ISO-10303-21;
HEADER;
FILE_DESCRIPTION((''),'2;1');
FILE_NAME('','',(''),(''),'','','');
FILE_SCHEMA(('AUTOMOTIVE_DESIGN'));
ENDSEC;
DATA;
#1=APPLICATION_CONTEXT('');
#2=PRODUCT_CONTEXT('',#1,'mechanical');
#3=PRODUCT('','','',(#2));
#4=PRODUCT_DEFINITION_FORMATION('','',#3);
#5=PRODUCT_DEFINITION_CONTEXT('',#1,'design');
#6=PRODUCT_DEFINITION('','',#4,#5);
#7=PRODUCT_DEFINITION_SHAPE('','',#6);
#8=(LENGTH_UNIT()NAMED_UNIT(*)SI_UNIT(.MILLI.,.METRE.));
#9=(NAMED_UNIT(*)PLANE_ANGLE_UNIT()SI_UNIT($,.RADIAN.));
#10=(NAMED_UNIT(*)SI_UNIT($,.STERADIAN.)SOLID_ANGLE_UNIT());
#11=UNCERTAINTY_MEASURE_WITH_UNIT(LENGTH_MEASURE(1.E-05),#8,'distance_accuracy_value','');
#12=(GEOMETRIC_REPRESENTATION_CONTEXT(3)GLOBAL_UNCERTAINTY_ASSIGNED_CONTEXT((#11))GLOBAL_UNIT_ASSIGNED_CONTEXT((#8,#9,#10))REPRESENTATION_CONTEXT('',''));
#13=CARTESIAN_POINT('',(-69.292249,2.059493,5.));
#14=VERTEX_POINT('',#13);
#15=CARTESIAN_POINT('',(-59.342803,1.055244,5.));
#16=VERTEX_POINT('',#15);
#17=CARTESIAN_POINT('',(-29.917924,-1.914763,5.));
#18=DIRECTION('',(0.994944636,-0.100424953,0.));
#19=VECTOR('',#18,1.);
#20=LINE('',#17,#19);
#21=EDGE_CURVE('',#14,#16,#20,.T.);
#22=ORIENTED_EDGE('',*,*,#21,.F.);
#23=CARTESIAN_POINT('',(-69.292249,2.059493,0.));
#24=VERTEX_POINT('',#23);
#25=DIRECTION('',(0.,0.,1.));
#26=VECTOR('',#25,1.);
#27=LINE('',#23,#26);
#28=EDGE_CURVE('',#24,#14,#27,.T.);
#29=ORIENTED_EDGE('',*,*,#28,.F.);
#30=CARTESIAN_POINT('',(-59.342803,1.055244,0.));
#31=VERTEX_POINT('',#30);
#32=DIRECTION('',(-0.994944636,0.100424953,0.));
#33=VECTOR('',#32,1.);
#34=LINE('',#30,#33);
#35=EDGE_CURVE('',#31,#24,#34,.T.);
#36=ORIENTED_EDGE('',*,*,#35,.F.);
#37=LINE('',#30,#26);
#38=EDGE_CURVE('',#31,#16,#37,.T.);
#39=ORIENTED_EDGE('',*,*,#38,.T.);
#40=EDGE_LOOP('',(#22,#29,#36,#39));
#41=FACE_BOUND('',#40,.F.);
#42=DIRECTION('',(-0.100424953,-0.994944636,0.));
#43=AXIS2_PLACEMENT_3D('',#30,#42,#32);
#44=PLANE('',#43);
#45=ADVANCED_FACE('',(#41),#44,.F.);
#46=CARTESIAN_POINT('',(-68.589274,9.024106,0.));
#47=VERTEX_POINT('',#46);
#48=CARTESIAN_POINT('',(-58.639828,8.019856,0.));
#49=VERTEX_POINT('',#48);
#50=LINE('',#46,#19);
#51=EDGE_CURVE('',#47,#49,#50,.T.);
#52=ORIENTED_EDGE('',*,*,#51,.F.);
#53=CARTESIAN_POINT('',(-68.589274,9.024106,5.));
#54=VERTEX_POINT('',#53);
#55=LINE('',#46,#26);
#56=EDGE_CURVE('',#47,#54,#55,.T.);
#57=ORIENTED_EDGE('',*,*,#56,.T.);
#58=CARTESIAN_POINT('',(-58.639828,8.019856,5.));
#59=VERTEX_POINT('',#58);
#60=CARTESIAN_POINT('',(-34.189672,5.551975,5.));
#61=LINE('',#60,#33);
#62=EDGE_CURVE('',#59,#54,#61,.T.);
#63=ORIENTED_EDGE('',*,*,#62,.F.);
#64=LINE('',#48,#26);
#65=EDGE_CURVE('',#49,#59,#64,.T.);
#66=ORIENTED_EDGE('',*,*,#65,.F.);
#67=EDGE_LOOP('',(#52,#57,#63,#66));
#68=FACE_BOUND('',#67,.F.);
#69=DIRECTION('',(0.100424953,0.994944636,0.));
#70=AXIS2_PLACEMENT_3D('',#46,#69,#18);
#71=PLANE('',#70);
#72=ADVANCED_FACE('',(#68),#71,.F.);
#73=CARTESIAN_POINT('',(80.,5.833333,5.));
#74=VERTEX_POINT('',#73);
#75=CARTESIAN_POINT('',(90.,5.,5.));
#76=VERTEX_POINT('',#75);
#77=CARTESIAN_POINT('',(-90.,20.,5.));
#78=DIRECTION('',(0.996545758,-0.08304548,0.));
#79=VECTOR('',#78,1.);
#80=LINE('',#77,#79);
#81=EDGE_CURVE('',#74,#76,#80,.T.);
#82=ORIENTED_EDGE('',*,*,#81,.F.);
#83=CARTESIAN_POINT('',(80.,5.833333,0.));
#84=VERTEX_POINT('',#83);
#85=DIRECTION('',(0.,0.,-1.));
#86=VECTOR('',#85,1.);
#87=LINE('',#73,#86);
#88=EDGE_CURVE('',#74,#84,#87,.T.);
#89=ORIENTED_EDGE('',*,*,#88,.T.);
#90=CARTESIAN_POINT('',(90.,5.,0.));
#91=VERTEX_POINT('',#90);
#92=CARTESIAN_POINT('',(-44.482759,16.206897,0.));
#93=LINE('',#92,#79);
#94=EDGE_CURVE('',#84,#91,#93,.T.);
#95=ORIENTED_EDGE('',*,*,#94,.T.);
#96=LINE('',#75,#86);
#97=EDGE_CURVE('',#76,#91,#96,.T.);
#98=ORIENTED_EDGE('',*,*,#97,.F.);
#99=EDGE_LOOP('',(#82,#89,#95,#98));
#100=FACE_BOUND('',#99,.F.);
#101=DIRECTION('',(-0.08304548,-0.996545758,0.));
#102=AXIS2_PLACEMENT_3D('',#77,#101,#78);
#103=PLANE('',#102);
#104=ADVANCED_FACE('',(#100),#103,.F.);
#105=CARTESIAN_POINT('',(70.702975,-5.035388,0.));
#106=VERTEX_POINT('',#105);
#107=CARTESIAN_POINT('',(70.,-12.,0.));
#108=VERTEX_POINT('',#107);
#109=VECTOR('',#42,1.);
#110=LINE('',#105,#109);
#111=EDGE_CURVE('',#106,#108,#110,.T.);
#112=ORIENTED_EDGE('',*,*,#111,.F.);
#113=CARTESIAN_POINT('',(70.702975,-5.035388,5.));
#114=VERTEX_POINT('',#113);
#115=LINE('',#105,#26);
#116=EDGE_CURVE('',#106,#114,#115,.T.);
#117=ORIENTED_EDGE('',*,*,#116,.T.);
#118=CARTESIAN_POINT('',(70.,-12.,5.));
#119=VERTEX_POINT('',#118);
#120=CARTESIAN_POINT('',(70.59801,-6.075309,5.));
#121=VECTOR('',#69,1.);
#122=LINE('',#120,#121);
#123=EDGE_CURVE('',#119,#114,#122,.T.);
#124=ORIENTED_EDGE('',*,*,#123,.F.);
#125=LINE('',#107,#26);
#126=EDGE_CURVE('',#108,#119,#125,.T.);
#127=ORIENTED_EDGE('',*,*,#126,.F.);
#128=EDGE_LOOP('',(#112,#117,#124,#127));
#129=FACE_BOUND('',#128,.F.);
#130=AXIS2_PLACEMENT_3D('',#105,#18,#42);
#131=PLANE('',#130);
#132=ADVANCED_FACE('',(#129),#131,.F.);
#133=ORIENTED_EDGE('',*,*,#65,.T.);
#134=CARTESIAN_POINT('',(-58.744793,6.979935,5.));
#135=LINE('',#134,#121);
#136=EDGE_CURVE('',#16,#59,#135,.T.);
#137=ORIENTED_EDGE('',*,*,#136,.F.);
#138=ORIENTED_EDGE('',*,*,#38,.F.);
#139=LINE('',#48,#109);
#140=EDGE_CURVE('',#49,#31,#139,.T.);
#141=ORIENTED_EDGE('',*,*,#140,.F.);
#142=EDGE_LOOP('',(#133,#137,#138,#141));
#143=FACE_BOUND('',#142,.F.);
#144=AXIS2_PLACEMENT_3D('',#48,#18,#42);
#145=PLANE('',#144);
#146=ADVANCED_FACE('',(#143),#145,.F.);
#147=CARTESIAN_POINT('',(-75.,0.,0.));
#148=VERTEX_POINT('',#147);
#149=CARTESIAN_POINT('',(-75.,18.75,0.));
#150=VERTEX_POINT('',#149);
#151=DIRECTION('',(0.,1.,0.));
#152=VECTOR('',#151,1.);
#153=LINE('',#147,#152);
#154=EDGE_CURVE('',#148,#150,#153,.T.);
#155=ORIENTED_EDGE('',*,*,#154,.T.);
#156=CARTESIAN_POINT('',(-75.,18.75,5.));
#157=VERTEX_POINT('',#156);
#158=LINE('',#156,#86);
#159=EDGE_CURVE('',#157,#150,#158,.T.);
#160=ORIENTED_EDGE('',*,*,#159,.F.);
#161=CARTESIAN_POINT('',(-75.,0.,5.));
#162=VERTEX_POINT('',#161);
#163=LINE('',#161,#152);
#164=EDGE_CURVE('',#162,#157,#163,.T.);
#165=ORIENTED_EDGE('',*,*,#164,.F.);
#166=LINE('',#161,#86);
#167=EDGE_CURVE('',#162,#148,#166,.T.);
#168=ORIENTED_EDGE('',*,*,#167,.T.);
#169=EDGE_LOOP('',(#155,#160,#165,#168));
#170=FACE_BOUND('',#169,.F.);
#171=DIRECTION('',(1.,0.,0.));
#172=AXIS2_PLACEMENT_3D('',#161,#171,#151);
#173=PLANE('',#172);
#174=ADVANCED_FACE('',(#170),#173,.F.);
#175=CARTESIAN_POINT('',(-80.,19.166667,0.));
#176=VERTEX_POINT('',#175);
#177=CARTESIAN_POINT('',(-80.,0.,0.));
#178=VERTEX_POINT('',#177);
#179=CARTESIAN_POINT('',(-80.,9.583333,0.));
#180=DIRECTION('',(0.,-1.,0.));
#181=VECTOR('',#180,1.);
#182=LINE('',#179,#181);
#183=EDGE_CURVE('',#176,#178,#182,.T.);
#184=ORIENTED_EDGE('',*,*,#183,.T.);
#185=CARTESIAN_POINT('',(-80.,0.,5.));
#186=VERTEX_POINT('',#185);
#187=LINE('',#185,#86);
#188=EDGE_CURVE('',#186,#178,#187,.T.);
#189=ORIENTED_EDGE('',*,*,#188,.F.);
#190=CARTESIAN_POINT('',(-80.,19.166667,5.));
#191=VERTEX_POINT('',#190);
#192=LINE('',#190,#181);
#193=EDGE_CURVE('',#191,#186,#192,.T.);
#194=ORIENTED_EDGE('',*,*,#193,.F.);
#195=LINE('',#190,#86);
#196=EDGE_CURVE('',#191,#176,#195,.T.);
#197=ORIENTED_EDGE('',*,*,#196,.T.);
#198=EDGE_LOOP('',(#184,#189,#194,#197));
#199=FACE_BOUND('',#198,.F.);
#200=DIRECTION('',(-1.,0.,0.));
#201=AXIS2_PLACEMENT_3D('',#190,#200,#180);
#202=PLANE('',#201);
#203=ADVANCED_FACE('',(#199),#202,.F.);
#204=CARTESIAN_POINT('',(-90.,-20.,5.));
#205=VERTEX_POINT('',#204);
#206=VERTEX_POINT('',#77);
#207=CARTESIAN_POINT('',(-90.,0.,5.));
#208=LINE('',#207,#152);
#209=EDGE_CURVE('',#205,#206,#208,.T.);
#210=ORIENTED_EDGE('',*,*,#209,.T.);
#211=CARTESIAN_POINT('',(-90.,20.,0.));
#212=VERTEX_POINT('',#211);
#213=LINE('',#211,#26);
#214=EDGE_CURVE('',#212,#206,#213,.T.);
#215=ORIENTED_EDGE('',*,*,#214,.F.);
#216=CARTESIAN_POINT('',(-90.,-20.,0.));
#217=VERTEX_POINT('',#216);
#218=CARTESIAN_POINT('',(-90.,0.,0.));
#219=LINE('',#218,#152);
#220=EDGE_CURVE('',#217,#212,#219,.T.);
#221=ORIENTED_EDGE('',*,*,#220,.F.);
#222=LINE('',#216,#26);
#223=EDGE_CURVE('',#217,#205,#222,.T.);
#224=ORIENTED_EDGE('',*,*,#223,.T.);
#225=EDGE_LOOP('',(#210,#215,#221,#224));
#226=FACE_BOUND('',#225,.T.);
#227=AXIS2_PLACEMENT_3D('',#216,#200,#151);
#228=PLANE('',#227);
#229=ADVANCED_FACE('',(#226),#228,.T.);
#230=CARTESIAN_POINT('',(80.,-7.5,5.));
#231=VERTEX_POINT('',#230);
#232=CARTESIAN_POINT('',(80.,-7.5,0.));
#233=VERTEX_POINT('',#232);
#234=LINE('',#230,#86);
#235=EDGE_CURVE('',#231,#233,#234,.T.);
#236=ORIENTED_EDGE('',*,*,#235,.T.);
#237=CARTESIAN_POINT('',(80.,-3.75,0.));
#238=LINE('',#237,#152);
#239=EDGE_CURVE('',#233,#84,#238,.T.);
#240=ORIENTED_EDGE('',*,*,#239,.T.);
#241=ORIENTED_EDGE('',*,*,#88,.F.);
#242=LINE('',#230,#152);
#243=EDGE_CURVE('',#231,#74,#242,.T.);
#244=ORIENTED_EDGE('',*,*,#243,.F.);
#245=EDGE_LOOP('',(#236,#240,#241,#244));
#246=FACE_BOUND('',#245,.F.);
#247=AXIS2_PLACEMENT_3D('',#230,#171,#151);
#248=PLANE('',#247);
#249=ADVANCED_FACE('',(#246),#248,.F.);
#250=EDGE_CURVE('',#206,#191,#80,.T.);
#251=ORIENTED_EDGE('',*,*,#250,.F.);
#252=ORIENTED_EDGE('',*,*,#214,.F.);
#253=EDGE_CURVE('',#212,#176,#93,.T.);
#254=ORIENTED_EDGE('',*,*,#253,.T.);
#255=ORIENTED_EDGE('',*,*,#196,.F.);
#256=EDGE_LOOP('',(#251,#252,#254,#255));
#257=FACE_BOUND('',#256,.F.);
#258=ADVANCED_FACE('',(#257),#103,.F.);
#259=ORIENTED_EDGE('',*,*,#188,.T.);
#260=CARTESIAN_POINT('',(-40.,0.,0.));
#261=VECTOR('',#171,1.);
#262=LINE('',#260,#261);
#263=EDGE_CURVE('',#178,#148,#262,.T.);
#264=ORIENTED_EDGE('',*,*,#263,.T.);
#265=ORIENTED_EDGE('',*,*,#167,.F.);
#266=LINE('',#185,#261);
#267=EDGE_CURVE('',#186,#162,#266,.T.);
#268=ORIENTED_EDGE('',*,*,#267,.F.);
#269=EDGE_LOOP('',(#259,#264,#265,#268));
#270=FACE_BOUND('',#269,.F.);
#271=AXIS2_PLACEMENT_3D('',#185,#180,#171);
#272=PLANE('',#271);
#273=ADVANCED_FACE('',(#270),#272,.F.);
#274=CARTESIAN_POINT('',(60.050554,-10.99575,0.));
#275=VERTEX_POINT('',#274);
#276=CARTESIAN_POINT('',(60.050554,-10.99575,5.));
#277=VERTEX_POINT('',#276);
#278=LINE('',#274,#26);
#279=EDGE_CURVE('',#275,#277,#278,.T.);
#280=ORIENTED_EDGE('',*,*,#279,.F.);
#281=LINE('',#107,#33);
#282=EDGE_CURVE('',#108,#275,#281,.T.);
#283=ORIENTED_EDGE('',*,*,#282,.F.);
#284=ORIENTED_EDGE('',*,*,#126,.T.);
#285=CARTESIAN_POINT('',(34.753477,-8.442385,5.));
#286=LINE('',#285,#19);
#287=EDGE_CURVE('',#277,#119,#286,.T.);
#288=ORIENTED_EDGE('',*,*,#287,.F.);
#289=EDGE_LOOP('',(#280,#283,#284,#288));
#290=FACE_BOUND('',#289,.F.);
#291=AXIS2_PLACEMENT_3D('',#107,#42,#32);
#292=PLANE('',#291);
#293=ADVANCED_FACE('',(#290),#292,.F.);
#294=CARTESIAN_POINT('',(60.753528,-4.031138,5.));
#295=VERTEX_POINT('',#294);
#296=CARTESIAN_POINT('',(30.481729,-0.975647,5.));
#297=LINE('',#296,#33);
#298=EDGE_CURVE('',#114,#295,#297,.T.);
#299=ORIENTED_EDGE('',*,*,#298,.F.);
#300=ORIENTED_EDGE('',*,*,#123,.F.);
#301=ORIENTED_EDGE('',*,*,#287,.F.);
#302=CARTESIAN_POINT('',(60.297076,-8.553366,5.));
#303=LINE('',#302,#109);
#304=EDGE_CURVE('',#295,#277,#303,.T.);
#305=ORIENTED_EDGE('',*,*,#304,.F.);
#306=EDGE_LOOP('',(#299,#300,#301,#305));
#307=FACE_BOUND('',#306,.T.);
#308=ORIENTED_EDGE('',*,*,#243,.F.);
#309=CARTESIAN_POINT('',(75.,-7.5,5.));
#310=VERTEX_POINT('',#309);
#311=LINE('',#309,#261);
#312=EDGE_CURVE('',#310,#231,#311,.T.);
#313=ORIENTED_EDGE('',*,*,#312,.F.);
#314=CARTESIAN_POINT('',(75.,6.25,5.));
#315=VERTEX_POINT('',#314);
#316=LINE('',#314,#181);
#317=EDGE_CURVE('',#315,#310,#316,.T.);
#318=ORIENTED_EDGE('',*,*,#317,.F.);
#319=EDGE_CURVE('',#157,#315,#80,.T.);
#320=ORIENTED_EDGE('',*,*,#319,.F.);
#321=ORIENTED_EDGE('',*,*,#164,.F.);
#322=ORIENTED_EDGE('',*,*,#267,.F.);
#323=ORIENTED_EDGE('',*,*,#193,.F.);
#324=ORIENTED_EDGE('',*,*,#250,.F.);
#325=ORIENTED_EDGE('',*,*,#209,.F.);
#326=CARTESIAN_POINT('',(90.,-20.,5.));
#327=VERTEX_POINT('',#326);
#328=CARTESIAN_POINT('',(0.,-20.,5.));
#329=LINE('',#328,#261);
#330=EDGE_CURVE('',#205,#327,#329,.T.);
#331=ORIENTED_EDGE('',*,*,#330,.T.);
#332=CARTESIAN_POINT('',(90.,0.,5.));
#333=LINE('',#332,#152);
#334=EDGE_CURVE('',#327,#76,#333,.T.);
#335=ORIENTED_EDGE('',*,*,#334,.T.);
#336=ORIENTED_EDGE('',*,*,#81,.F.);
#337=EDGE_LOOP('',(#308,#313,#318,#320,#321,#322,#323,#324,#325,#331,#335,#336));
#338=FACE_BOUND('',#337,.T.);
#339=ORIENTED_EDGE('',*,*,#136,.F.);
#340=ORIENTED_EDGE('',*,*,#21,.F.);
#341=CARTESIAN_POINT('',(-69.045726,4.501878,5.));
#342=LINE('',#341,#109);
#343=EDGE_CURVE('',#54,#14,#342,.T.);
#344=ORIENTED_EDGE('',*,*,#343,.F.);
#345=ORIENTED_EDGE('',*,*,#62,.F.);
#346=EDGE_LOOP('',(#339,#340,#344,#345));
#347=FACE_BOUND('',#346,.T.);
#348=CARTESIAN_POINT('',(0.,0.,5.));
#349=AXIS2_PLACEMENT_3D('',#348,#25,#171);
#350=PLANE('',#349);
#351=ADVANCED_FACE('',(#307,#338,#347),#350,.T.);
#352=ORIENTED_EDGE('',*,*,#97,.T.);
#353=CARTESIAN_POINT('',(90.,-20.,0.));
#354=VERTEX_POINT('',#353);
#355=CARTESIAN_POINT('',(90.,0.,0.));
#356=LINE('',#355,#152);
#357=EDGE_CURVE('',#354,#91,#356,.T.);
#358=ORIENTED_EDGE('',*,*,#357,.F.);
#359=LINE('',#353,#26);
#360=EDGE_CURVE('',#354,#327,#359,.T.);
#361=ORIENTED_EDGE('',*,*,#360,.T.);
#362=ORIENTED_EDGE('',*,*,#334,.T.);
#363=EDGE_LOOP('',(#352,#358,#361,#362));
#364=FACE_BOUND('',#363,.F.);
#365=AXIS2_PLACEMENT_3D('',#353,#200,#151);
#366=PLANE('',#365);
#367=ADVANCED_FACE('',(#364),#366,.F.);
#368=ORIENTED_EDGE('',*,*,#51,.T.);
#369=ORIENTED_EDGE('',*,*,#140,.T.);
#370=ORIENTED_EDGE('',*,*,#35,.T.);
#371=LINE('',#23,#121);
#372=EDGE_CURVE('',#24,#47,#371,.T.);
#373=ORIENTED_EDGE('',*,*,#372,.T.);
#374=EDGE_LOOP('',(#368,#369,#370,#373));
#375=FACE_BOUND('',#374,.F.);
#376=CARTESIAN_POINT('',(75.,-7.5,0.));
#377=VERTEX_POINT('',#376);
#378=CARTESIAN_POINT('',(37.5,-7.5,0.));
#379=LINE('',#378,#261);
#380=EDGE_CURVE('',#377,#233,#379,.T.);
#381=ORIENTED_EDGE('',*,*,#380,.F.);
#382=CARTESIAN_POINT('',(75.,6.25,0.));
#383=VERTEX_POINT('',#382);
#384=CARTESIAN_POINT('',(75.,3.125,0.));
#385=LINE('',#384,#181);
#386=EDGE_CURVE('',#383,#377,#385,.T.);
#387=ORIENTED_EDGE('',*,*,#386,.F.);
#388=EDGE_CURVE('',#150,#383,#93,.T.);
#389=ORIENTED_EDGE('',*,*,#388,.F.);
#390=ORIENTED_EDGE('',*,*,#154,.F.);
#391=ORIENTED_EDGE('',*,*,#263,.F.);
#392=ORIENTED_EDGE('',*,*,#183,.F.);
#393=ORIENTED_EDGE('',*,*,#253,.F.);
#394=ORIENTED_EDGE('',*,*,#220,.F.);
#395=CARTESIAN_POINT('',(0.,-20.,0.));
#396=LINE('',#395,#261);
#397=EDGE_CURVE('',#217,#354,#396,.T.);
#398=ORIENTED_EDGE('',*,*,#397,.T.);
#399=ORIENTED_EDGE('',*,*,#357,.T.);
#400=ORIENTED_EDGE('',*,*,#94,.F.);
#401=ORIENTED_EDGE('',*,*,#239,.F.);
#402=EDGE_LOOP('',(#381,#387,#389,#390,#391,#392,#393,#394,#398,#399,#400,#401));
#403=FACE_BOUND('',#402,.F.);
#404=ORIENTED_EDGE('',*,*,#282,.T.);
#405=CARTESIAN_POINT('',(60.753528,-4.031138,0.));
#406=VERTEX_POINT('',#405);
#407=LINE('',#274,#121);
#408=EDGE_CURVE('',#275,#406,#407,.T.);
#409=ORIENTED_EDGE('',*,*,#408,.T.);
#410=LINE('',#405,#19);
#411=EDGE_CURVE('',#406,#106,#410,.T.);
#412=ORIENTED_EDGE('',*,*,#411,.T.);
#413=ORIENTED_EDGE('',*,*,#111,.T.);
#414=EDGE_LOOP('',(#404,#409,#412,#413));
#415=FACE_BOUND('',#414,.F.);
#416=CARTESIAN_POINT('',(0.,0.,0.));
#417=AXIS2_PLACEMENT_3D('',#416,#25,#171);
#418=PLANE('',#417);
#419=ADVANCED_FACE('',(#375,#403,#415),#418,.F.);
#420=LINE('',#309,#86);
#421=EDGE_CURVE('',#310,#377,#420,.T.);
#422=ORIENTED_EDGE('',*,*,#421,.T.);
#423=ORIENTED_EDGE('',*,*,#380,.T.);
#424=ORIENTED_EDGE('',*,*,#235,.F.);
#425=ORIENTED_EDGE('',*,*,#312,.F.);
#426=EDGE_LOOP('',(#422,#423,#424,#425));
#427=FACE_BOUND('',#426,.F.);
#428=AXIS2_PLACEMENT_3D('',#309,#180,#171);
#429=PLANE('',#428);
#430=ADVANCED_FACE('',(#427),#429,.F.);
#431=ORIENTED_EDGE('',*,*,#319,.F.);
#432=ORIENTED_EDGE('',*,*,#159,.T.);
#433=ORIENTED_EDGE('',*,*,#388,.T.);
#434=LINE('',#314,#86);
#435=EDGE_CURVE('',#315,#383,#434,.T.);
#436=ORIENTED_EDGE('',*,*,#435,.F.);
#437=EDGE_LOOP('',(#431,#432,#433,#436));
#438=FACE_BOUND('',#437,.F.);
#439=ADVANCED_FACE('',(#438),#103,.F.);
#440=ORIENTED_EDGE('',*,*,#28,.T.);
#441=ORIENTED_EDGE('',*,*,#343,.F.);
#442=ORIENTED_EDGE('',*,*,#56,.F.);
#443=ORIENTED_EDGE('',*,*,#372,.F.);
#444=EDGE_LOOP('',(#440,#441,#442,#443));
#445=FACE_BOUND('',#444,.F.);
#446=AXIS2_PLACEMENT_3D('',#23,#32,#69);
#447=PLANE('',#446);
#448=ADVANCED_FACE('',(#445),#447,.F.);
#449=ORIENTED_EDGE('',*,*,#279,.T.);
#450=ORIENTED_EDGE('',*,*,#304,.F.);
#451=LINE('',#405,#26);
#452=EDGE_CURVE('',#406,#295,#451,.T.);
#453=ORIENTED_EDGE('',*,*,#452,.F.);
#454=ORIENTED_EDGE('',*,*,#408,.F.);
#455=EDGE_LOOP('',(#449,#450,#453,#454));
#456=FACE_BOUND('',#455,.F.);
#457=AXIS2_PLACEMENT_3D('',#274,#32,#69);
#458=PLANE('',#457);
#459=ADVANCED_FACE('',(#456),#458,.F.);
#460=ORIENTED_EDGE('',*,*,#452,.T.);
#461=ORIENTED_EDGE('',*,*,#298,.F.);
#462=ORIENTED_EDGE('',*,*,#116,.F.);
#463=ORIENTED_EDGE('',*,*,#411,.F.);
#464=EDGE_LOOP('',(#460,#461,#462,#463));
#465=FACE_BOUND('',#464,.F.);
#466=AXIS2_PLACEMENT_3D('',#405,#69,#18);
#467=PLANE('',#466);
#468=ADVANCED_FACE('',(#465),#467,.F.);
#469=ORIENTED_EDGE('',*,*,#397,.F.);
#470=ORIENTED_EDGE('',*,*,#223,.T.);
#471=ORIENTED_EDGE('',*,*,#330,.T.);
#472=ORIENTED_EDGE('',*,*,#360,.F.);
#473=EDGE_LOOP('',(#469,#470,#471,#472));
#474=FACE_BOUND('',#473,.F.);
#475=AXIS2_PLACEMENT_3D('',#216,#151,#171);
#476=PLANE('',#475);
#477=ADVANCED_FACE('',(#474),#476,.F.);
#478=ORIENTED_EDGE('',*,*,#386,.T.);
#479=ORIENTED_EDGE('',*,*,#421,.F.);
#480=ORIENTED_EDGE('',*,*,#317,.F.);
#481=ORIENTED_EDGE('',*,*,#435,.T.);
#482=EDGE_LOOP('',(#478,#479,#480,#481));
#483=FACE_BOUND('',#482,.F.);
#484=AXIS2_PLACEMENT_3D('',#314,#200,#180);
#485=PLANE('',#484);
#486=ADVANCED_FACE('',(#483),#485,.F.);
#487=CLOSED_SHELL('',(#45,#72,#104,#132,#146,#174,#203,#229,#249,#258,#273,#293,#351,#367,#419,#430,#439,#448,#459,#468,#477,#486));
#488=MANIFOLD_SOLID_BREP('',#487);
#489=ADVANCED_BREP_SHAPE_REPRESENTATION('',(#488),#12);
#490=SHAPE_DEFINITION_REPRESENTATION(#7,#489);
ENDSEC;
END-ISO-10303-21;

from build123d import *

# Parameters (mm, degrees)
F0_W     = 180
F0_H     = 40
F1_DEPTH = 5
F3_DEPTH = 25
F5_DEPTH = 25
F7_DEPTH = 25


with BuildPart() as f1:
    # F0 (on Top) → F1 (new body)
    with BuildSketch(Plane.XY):
        Rectangle(F0_W, F0_H)
    extrude(amount=F1_DEPTH)

    # F2 (on face) → F3 (cut)
    with BuildSketch(Plane.XY.offset(5)):
        Polygon((90, 20), (-90, 20), (90, 5), align=None)
    extrude(amount=-F3_DEPTH, mode=Mode.SUBTRACT)

    # F4 (on face) → F5 (cut)
    with BuildSketch(Plane.XY.offset(5)):
        Polygon((-75, 18.75), (-80, 19.1666666667), (-80, 0), (-75, 0), align=None)
        Polygon((80, 5.8333333333), (75, 6.25), (75, -7.5), (80, -7.5), align=None)
    extrude(amount=-F5_DEPTH, mode=Mode.SUBTRACT)

    # F6 (on face) → F7 (cut)
    with BuildSketch(Plane(origin=(0, 0, 0), x_dir=(1, 0, 0), z_dir=(0, 0, -1))):
        Polygon((-59.3428026841, -1.0552439201), (-69.2922490445, -2.0594934524), (-68.5892743718, -9.0241059046), (-58.6398280115, -8.0198563723), align=None)
        Polygon((70, 12), (60.0505536397, 10.9957504677), (60.7535283123, 4.0311380155), (70.7029746726, 5.0353875478), align=None)
    extrude(amount=-F7_DEPTH, mode=Mode.SUBTRACT)


solid = f1.part
